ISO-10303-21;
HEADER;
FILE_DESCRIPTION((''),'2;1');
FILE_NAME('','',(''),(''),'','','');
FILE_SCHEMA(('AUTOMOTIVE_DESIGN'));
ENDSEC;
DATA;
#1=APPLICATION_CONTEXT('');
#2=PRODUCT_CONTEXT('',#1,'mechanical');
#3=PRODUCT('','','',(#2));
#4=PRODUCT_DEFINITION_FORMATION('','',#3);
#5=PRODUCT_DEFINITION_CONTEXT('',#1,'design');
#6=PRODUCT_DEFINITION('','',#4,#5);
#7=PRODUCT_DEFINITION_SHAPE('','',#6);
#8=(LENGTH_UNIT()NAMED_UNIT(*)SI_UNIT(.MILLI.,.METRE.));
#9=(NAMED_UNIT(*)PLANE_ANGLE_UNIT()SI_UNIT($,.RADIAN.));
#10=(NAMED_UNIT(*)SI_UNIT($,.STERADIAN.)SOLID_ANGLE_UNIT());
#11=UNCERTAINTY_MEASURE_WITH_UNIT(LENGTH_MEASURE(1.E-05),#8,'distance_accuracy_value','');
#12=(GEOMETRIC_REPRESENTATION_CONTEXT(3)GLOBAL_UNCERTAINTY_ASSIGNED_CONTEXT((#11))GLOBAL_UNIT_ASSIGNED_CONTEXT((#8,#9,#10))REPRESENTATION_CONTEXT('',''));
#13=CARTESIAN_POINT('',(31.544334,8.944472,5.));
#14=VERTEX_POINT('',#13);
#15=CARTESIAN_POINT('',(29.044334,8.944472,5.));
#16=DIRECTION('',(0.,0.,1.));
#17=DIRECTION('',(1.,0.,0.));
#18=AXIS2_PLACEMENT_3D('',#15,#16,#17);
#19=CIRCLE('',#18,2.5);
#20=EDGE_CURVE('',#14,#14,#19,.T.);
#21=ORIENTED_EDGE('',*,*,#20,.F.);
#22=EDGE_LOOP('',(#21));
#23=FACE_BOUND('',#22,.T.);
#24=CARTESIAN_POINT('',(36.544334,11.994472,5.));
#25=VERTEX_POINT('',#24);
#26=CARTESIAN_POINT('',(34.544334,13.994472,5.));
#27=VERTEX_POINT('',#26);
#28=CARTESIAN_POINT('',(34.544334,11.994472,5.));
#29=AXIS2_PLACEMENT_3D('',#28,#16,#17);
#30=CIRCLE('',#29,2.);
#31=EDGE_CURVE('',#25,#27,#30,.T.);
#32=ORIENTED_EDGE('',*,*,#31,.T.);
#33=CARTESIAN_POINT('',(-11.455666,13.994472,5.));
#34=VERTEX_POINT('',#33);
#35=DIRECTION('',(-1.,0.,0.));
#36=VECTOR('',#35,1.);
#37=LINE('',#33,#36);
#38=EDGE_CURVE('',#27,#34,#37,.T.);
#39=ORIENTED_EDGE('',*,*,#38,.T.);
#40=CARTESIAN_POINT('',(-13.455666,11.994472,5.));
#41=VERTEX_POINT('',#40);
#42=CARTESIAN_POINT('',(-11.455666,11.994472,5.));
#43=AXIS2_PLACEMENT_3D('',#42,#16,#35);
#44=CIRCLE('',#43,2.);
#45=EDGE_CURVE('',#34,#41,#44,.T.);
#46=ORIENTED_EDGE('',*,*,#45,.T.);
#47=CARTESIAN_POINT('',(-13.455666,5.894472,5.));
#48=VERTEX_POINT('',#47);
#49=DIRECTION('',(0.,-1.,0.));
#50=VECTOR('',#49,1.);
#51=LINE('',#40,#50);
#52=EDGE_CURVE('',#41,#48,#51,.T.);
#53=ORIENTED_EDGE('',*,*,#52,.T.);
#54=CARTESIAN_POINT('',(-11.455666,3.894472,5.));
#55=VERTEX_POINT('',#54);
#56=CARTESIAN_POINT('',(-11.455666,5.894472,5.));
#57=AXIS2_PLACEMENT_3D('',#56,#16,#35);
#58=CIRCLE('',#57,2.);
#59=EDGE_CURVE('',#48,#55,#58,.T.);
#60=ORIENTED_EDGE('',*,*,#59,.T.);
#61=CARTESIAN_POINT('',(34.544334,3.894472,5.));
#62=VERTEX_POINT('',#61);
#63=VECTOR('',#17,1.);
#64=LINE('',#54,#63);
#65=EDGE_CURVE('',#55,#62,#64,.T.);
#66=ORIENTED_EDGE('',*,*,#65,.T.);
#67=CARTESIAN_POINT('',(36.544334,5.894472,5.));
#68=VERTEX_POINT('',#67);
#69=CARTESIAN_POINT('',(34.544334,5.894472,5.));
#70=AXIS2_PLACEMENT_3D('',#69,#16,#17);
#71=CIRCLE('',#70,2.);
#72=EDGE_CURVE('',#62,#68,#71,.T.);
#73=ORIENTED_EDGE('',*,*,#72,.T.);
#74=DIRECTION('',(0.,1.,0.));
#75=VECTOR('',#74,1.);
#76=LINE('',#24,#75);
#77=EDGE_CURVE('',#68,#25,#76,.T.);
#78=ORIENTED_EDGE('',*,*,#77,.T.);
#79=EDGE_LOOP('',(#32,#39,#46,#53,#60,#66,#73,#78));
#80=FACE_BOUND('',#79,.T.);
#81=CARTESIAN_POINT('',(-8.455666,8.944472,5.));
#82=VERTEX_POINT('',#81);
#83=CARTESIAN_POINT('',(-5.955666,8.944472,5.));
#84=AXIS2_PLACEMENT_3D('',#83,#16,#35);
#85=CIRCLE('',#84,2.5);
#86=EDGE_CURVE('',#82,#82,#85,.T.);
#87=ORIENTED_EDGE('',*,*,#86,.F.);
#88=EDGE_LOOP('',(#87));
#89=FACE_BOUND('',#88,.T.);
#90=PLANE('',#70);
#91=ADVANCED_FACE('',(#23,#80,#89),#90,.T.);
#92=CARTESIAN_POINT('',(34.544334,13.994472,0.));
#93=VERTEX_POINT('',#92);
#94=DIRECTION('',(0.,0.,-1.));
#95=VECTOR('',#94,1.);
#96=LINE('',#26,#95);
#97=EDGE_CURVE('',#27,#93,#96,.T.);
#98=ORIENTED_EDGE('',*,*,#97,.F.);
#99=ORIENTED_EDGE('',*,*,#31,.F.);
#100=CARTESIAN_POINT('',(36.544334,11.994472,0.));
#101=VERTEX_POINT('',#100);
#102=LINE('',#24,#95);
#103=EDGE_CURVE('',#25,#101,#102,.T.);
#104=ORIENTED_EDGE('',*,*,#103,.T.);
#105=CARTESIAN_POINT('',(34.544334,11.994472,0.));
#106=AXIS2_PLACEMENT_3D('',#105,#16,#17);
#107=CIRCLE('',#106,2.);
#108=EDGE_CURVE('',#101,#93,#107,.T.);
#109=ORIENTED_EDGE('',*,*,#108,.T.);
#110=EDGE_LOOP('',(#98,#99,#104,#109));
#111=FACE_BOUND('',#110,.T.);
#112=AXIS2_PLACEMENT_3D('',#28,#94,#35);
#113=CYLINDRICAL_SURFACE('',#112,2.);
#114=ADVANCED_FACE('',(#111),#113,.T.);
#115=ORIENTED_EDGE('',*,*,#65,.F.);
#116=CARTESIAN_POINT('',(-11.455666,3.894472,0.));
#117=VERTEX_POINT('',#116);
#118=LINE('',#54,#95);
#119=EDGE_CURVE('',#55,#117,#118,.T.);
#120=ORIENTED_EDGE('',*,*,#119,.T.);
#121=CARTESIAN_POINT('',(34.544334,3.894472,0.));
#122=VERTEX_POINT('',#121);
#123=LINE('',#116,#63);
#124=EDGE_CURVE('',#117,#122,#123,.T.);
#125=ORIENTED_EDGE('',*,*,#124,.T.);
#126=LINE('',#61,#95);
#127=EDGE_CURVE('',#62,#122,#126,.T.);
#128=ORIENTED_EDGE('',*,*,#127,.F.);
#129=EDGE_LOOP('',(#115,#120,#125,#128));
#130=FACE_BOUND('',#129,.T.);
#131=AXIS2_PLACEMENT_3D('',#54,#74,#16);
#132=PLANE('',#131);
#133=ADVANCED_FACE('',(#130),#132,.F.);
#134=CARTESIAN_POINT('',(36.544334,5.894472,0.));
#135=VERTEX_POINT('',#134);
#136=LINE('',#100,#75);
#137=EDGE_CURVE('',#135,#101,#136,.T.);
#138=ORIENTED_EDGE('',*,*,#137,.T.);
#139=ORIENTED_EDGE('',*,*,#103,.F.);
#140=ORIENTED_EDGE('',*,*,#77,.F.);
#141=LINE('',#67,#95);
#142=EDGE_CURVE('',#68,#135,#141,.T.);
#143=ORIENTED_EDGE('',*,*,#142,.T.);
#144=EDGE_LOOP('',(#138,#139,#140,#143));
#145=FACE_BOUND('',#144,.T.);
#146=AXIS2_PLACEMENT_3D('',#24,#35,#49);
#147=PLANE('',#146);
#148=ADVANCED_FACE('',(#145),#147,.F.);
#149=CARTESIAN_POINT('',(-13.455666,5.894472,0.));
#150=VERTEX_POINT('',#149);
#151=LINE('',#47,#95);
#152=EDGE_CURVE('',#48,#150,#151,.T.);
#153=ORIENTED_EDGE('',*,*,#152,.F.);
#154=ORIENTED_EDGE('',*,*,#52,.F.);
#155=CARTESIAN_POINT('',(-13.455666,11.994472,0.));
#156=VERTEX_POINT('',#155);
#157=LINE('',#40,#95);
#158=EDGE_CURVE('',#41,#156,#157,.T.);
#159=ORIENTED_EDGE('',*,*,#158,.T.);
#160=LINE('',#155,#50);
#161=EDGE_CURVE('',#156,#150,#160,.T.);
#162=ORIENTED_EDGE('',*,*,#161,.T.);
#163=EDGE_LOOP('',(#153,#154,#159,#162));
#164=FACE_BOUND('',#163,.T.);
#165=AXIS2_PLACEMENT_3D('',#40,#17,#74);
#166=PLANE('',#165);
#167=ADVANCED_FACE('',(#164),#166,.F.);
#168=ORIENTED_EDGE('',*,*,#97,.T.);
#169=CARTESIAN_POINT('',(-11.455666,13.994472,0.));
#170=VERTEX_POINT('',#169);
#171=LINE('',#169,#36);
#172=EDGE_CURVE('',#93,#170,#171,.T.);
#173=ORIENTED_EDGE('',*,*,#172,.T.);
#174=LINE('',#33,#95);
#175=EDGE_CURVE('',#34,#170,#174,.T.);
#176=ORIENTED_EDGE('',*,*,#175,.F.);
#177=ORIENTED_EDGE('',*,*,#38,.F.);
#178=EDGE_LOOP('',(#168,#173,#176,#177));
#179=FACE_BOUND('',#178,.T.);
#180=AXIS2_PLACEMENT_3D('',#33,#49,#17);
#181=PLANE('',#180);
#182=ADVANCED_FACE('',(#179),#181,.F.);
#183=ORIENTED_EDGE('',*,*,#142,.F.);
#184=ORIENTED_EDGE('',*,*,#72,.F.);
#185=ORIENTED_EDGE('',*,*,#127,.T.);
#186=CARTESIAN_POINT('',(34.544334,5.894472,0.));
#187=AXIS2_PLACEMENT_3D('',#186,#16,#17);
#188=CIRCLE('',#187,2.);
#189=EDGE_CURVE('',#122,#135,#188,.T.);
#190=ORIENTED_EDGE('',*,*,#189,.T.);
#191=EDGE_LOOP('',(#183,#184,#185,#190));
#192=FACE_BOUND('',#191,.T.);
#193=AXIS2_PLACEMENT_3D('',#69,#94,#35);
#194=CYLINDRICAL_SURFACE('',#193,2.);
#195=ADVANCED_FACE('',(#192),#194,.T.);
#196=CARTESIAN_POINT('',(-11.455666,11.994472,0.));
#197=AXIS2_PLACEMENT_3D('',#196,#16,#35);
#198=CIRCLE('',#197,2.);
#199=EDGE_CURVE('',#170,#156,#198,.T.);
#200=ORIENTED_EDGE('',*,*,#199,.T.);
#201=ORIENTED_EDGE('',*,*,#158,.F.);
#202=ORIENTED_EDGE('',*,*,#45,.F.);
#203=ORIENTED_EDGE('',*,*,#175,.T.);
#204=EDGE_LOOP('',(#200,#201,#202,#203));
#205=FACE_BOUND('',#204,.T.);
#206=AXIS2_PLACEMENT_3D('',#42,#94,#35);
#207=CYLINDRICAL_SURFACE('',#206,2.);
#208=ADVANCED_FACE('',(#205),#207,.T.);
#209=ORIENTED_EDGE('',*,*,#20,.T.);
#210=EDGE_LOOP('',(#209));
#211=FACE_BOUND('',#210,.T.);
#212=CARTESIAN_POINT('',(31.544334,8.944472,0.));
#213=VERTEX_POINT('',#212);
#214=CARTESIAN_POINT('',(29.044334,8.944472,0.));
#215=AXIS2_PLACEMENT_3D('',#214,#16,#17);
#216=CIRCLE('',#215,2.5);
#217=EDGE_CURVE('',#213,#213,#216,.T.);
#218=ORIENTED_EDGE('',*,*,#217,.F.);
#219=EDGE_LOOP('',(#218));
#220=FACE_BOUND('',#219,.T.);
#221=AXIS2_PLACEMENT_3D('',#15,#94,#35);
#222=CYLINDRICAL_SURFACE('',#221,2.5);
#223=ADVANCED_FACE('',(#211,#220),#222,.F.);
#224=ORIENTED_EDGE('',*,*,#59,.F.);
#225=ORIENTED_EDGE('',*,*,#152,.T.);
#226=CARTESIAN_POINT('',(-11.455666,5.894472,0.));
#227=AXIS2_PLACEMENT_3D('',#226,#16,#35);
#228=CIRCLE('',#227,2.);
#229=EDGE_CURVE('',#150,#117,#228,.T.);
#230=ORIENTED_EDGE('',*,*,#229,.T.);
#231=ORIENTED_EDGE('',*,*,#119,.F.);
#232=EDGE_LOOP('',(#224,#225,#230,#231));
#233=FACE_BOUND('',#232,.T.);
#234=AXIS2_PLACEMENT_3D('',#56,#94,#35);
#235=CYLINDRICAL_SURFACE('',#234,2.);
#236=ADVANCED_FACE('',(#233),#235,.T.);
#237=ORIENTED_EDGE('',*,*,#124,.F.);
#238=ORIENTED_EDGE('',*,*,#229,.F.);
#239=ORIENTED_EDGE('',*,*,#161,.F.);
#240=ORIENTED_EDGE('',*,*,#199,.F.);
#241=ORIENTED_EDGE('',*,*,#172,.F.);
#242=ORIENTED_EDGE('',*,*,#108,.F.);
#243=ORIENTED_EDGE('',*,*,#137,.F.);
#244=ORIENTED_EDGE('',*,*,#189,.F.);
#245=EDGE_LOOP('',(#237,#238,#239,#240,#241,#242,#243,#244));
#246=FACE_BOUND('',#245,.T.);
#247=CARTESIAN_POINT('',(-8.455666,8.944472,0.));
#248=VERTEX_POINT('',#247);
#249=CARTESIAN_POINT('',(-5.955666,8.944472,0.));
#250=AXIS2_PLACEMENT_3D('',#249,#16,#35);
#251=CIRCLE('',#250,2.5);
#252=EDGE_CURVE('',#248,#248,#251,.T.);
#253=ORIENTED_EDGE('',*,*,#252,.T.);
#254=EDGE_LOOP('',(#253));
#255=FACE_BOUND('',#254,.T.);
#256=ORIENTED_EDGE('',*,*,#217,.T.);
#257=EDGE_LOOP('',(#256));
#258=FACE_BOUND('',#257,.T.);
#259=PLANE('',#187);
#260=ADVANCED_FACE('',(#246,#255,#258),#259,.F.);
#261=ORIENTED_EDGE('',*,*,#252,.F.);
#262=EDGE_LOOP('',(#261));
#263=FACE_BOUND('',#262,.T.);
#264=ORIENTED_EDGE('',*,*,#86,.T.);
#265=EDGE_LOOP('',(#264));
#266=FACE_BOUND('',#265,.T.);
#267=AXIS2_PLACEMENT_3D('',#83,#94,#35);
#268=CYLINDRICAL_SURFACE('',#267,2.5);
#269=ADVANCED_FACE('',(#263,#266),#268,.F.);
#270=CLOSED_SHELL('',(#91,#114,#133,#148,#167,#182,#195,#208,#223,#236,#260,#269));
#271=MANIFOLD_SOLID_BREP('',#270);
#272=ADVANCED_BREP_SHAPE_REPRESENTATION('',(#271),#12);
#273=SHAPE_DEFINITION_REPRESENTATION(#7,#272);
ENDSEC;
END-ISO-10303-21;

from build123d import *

# Parameters (mm, degrees)
ESQUISSE1_R        = 2.5
BOSS_EXTRU_1_DEPTH = 5


with BuildPart() as part:
    # Esquisse1 → Boss.-Extru.1 (new body)
    with BuildSketch(Plane.XY):
        with BuildLine():
            Line((-11.455666155, 13.994472362), (34.544333845, 13.994472362))
            ThreePointArc((34.544333845, 13.994472362), (35.958547407, 13.408685924), (36.544333845, 11.994472362))
            Line((36.544333845, 11.994472362), (36.544333845, 5.894472362))
            ThreePointArc((36.544333845, 5.894472362), (35.958547407, 4.480258799), (34.544333845, 3.894472362))
            Line((34.544333845, 3.894472362), (-11.455666155, 3.894472362))
            ThreePointArc((-11.455666155, 3.894472362), (-12.869879717, 4.480258799), (-13.455666155, 5.894472362))
            Line((-13.455666155, 5.894472362), (-13.455666155, 11.994472362))
            ThreePointArc((-13.455666155, 11.994472362), (-12.869879717, 13.408685924), (-11.455666155, 13.994472362))
        make_face()
        with Locations((29.044333845, 8.944472362)):
            Circle(ESQUISSE1_R, mode=Mode.SUBTRACT)
        with Locations(Location((-5.955666155, 8.944472362, 0), (0, 0, 180))):
            Circle(ESQUISSE1_R, mode=Mode.SUBTRACT)
    extrude(amount=BOSS_EXTRU_1_DEPTH)


solid = part.part
